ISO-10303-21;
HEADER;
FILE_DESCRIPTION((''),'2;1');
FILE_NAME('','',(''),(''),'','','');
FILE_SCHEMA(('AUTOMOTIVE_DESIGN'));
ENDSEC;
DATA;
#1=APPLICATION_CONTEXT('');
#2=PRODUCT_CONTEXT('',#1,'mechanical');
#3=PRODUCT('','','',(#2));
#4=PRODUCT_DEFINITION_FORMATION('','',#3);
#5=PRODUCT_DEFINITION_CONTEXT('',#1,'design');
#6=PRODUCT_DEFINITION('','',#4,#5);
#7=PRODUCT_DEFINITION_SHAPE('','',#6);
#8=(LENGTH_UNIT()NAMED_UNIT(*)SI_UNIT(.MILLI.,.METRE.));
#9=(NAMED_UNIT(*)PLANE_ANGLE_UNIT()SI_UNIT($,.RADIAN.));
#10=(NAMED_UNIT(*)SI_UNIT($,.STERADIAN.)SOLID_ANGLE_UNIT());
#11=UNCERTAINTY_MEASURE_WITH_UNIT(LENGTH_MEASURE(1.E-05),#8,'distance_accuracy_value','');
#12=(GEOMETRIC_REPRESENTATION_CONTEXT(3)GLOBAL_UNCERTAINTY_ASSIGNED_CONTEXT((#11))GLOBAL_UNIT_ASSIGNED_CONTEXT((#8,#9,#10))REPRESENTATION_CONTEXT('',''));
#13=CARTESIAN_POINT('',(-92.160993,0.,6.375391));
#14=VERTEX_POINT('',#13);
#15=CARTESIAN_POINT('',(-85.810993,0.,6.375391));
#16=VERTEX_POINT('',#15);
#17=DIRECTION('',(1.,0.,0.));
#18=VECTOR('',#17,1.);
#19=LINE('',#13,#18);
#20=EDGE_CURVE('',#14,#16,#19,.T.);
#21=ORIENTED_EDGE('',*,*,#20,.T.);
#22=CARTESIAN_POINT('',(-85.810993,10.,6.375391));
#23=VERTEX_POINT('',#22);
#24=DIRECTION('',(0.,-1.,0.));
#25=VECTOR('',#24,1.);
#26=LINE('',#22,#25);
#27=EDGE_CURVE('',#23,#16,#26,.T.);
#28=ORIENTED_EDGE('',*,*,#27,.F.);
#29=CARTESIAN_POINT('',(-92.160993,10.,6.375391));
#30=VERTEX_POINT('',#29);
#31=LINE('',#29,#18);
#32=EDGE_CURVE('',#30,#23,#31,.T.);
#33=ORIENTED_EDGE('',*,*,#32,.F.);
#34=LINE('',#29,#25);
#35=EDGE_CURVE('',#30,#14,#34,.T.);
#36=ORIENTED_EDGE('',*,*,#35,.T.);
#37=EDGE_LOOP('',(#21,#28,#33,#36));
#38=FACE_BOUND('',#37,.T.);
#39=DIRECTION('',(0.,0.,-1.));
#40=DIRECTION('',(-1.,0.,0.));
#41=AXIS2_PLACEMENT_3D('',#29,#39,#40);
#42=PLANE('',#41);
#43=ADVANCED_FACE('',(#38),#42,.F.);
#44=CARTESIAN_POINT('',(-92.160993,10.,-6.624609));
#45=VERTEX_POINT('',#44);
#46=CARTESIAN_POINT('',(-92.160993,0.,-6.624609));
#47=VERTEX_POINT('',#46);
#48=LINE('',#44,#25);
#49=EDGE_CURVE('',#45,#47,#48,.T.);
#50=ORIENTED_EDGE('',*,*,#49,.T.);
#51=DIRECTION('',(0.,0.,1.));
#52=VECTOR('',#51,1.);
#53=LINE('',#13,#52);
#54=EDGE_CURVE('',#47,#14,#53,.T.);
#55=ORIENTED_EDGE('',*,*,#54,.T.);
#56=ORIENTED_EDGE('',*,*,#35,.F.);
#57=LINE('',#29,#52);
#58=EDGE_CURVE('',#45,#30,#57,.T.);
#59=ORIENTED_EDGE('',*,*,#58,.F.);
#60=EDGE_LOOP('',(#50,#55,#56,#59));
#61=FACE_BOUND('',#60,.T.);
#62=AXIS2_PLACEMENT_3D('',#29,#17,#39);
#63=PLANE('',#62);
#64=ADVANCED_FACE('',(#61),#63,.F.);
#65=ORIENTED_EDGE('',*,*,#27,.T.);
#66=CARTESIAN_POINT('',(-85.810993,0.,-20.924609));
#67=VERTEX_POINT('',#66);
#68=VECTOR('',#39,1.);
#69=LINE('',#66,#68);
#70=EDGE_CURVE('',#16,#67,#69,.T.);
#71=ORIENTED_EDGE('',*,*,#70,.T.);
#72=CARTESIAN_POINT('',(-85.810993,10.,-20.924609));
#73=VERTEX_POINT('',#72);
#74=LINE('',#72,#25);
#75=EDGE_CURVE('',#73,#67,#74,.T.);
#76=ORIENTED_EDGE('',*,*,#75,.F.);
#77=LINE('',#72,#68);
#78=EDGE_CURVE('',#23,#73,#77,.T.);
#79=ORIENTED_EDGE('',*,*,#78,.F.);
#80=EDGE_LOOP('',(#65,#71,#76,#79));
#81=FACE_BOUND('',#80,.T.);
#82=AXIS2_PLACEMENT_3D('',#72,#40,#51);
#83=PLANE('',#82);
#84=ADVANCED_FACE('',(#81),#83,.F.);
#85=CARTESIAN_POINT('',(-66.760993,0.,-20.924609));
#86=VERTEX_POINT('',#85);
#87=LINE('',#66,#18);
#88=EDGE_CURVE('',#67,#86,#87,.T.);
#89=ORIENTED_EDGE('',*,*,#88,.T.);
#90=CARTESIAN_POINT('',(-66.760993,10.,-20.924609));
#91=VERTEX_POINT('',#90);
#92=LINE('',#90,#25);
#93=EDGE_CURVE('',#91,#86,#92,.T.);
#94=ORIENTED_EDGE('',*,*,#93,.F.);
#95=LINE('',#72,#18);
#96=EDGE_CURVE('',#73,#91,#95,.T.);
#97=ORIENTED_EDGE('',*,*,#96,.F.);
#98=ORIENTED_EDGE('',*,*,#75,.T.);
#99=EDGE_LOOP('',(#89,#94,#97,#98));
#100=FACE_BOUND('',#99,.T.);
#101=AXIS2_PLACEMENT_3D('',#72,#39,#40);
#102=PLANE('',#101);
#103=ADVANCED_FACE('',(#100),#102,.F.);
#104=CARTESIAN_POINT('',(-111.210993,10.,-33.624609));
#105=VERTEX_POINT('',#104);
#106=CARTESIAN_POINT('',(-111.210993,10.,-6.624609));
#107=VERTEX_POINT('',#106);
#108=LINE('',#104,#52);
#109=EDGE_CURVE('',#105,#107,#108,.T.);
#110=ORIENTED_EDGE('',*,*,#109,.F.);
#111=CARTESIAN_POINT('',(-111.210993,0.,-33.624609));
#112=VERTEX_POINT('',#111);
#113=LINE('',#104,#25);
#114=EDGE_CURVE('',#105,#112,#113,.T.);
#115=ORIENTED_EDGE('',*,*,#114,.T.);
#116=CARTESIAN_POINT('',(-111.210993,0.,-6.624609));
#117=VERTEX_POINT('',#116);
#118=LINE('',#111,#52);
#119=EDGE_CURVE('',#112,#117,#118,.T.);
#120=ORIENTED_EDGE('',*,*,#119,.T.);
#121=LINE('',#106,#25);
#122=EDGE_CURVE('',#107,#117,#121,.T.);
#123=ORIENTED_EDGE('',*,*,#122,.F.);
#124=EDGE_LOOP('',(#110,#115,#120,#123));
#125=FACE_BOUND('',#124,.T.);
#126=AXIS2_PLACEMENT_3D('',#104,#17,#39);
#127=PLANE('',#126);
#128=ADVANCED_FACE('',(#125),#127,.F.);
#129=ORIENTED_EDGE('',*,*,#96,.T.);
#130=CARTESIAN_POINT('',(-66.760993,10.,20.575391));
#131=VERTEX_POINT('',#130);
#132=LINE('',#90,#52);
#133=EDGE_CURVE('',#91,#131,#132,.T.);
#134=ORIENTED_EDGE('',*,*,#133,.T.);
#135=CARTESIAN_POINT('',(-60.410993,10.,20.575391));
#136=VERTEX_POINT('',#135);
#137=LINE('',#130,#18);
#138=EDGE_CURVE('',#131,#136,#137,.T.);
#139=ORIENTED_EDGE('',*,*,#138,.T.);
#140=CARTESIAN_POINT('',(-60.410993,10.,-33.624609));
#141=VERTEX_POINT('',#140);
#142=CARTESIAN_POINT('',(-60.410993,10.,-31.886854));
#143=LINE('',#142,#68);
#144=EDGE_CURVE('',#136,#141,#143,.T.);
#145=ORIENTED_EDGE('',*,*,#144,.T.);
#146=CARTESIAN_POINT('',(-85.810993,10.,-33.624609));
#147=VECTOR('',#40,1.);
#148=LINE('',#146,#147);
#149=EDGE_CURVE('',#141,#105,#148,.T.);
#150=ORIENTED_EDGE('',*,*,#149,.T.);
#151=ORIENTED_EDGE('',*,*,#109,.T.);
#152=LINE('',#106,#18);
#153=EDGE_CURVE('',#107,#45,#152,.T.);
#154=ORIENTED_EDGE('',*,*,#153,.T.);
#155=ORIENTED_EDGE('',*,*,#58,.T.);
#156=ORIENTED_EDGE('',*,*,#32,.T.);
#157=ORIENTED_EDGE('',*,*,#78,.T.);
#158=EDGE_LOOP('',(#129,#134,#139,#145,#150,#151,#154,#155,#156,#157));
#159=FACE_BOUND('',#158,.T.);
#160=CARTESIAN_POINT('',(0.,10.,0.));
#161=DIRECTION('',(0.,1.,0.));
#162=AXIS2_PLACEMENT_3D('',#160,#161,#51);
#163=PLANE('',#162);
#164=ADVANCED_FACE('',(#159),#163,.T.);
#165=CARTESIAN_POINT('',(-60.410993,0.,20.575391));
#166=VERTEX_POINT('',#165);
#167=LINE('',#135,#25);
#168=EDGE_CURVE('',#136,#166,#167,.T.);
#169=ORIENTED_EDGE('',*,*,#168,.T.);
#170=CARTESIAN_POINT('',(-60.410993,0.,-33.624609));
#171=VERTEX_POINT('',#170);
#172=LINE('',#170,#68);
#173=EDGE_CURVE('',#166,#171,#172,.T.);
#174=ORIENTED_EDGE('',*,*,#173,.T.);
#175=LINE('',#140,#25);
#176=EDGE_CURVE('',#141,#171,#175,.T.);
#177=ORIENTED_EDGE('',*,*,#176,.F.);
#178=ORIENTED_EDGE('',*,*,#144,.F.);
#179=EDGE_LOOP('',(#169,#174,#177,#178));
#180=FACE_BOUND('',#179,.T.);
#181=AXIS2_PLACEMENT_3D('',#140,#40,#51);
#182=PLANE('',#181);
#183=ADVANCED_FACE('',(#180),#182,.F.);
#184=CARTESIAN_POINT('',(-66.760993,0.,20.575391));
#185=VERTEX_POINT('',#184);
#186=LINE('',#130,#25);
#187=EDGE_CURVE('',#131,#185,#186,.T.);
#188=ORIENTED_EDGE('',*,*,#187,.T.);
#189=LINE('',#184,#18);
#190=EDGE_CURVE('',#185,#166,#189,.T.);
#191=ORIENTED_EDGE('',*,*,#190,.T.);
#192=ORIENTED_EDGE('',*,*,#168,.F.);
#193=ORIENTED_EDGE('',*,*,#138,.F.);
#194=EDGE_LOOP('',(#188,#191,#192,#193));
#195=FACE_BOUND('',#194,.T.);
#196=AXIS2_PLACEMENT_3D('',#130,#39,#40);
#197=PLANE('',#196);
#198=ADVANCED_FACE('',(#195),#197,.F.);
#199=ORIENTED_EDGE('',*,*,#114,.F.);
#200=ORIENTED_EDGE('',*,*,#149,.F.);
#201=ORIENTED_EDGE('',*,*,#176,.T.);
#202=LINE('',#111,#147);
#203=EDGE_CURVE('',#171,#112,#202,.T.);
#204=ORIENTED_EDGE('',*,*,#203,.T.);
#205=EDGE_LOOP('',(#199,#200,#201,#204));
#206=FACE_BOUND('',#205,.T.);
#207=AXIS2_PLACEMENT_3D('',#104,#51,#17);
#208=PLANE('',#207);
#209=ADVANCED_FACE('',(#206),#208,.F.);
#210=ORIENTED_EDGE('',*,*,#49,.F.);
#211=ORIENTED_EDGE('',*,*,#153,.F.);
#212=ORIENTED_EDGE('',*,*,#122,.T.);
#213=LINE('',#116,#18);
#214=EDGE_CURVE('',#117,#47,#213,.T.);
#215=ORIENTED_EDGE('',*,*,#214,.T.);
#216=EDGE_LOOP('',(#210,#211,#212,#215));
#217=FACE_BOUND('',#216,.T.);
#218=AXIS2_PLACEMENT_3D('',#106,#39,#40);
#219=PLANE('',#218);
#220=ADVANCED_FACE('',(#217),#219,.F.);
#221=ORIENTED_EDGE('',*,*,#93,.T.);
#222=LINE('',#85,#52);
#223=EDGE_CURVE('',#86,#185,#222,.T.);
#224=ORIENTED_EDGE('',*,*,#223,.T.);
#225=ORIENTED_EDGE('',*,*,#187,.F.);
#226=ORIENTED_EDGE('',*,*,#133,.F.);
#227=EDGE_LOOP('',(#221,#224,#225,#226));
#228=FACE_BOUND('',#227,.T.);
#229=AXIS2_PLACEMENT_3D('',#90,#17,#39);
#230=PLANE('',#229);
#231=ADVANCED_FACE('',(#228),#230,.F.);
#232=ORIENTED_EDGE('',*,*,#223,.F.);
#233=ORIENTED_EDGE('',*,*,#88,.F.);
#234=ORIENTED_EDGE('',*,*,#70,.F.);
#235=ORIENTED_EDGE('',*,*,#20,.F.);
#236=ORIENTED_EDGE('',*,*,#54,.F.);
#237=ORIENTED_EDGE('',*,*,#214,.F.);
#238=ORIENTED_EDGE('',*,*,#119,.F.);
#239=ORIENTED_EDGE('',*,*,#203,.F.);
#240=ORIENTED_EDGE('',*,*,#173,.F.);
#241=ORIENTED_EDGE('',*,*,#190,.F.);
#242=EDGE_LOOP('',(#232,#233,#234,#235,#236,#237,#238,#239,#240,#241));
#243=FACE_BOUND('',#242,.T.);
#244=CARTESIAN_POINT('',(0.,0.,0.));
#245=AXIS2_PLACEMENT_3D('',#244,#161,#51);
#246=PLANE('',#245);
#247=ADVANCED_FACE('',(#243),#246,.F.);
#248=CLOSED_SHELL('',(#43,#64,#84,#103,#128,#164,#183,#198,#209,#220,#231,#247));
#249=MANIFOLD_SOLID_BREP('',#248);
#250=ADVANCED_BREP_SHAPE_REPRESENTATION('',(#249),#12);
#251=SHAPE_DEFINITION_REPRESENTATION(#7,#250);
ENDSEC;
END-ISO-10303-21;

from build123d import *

# Parameters (mm, degrees)
BOSS_EXTRUDE1_DEPTH = 10


with BuildPart() as part:
    # Sketch1 → Boss-Extrude1 (new body)
    with BuildSketch(Plane(origin=(0, 0, 0), x_dir=(1, 0, 0), z_dir=(0, 1, 0))):
        Polygon((-111.210993036, 33.624609368), (-85.810993036, 33.624609368), (-60.410993036, 33.624609368), (-60.410993036, 31.886854206), (-60.410993036, -20.575390632), (-66.760993036, -20.575390632), (-66.760993036, 20.924609368), (-85.810993036, 20.924609368), (-85.810993036, -6.375390632), (-92.160993036, -6.375390632), (-92.160993036, 6.624609368), (-111.210993036, 6.624609368), align=None)
    extrude(amount=BOSS_EXTRUDE1_DEPTH)


solid = part.part
